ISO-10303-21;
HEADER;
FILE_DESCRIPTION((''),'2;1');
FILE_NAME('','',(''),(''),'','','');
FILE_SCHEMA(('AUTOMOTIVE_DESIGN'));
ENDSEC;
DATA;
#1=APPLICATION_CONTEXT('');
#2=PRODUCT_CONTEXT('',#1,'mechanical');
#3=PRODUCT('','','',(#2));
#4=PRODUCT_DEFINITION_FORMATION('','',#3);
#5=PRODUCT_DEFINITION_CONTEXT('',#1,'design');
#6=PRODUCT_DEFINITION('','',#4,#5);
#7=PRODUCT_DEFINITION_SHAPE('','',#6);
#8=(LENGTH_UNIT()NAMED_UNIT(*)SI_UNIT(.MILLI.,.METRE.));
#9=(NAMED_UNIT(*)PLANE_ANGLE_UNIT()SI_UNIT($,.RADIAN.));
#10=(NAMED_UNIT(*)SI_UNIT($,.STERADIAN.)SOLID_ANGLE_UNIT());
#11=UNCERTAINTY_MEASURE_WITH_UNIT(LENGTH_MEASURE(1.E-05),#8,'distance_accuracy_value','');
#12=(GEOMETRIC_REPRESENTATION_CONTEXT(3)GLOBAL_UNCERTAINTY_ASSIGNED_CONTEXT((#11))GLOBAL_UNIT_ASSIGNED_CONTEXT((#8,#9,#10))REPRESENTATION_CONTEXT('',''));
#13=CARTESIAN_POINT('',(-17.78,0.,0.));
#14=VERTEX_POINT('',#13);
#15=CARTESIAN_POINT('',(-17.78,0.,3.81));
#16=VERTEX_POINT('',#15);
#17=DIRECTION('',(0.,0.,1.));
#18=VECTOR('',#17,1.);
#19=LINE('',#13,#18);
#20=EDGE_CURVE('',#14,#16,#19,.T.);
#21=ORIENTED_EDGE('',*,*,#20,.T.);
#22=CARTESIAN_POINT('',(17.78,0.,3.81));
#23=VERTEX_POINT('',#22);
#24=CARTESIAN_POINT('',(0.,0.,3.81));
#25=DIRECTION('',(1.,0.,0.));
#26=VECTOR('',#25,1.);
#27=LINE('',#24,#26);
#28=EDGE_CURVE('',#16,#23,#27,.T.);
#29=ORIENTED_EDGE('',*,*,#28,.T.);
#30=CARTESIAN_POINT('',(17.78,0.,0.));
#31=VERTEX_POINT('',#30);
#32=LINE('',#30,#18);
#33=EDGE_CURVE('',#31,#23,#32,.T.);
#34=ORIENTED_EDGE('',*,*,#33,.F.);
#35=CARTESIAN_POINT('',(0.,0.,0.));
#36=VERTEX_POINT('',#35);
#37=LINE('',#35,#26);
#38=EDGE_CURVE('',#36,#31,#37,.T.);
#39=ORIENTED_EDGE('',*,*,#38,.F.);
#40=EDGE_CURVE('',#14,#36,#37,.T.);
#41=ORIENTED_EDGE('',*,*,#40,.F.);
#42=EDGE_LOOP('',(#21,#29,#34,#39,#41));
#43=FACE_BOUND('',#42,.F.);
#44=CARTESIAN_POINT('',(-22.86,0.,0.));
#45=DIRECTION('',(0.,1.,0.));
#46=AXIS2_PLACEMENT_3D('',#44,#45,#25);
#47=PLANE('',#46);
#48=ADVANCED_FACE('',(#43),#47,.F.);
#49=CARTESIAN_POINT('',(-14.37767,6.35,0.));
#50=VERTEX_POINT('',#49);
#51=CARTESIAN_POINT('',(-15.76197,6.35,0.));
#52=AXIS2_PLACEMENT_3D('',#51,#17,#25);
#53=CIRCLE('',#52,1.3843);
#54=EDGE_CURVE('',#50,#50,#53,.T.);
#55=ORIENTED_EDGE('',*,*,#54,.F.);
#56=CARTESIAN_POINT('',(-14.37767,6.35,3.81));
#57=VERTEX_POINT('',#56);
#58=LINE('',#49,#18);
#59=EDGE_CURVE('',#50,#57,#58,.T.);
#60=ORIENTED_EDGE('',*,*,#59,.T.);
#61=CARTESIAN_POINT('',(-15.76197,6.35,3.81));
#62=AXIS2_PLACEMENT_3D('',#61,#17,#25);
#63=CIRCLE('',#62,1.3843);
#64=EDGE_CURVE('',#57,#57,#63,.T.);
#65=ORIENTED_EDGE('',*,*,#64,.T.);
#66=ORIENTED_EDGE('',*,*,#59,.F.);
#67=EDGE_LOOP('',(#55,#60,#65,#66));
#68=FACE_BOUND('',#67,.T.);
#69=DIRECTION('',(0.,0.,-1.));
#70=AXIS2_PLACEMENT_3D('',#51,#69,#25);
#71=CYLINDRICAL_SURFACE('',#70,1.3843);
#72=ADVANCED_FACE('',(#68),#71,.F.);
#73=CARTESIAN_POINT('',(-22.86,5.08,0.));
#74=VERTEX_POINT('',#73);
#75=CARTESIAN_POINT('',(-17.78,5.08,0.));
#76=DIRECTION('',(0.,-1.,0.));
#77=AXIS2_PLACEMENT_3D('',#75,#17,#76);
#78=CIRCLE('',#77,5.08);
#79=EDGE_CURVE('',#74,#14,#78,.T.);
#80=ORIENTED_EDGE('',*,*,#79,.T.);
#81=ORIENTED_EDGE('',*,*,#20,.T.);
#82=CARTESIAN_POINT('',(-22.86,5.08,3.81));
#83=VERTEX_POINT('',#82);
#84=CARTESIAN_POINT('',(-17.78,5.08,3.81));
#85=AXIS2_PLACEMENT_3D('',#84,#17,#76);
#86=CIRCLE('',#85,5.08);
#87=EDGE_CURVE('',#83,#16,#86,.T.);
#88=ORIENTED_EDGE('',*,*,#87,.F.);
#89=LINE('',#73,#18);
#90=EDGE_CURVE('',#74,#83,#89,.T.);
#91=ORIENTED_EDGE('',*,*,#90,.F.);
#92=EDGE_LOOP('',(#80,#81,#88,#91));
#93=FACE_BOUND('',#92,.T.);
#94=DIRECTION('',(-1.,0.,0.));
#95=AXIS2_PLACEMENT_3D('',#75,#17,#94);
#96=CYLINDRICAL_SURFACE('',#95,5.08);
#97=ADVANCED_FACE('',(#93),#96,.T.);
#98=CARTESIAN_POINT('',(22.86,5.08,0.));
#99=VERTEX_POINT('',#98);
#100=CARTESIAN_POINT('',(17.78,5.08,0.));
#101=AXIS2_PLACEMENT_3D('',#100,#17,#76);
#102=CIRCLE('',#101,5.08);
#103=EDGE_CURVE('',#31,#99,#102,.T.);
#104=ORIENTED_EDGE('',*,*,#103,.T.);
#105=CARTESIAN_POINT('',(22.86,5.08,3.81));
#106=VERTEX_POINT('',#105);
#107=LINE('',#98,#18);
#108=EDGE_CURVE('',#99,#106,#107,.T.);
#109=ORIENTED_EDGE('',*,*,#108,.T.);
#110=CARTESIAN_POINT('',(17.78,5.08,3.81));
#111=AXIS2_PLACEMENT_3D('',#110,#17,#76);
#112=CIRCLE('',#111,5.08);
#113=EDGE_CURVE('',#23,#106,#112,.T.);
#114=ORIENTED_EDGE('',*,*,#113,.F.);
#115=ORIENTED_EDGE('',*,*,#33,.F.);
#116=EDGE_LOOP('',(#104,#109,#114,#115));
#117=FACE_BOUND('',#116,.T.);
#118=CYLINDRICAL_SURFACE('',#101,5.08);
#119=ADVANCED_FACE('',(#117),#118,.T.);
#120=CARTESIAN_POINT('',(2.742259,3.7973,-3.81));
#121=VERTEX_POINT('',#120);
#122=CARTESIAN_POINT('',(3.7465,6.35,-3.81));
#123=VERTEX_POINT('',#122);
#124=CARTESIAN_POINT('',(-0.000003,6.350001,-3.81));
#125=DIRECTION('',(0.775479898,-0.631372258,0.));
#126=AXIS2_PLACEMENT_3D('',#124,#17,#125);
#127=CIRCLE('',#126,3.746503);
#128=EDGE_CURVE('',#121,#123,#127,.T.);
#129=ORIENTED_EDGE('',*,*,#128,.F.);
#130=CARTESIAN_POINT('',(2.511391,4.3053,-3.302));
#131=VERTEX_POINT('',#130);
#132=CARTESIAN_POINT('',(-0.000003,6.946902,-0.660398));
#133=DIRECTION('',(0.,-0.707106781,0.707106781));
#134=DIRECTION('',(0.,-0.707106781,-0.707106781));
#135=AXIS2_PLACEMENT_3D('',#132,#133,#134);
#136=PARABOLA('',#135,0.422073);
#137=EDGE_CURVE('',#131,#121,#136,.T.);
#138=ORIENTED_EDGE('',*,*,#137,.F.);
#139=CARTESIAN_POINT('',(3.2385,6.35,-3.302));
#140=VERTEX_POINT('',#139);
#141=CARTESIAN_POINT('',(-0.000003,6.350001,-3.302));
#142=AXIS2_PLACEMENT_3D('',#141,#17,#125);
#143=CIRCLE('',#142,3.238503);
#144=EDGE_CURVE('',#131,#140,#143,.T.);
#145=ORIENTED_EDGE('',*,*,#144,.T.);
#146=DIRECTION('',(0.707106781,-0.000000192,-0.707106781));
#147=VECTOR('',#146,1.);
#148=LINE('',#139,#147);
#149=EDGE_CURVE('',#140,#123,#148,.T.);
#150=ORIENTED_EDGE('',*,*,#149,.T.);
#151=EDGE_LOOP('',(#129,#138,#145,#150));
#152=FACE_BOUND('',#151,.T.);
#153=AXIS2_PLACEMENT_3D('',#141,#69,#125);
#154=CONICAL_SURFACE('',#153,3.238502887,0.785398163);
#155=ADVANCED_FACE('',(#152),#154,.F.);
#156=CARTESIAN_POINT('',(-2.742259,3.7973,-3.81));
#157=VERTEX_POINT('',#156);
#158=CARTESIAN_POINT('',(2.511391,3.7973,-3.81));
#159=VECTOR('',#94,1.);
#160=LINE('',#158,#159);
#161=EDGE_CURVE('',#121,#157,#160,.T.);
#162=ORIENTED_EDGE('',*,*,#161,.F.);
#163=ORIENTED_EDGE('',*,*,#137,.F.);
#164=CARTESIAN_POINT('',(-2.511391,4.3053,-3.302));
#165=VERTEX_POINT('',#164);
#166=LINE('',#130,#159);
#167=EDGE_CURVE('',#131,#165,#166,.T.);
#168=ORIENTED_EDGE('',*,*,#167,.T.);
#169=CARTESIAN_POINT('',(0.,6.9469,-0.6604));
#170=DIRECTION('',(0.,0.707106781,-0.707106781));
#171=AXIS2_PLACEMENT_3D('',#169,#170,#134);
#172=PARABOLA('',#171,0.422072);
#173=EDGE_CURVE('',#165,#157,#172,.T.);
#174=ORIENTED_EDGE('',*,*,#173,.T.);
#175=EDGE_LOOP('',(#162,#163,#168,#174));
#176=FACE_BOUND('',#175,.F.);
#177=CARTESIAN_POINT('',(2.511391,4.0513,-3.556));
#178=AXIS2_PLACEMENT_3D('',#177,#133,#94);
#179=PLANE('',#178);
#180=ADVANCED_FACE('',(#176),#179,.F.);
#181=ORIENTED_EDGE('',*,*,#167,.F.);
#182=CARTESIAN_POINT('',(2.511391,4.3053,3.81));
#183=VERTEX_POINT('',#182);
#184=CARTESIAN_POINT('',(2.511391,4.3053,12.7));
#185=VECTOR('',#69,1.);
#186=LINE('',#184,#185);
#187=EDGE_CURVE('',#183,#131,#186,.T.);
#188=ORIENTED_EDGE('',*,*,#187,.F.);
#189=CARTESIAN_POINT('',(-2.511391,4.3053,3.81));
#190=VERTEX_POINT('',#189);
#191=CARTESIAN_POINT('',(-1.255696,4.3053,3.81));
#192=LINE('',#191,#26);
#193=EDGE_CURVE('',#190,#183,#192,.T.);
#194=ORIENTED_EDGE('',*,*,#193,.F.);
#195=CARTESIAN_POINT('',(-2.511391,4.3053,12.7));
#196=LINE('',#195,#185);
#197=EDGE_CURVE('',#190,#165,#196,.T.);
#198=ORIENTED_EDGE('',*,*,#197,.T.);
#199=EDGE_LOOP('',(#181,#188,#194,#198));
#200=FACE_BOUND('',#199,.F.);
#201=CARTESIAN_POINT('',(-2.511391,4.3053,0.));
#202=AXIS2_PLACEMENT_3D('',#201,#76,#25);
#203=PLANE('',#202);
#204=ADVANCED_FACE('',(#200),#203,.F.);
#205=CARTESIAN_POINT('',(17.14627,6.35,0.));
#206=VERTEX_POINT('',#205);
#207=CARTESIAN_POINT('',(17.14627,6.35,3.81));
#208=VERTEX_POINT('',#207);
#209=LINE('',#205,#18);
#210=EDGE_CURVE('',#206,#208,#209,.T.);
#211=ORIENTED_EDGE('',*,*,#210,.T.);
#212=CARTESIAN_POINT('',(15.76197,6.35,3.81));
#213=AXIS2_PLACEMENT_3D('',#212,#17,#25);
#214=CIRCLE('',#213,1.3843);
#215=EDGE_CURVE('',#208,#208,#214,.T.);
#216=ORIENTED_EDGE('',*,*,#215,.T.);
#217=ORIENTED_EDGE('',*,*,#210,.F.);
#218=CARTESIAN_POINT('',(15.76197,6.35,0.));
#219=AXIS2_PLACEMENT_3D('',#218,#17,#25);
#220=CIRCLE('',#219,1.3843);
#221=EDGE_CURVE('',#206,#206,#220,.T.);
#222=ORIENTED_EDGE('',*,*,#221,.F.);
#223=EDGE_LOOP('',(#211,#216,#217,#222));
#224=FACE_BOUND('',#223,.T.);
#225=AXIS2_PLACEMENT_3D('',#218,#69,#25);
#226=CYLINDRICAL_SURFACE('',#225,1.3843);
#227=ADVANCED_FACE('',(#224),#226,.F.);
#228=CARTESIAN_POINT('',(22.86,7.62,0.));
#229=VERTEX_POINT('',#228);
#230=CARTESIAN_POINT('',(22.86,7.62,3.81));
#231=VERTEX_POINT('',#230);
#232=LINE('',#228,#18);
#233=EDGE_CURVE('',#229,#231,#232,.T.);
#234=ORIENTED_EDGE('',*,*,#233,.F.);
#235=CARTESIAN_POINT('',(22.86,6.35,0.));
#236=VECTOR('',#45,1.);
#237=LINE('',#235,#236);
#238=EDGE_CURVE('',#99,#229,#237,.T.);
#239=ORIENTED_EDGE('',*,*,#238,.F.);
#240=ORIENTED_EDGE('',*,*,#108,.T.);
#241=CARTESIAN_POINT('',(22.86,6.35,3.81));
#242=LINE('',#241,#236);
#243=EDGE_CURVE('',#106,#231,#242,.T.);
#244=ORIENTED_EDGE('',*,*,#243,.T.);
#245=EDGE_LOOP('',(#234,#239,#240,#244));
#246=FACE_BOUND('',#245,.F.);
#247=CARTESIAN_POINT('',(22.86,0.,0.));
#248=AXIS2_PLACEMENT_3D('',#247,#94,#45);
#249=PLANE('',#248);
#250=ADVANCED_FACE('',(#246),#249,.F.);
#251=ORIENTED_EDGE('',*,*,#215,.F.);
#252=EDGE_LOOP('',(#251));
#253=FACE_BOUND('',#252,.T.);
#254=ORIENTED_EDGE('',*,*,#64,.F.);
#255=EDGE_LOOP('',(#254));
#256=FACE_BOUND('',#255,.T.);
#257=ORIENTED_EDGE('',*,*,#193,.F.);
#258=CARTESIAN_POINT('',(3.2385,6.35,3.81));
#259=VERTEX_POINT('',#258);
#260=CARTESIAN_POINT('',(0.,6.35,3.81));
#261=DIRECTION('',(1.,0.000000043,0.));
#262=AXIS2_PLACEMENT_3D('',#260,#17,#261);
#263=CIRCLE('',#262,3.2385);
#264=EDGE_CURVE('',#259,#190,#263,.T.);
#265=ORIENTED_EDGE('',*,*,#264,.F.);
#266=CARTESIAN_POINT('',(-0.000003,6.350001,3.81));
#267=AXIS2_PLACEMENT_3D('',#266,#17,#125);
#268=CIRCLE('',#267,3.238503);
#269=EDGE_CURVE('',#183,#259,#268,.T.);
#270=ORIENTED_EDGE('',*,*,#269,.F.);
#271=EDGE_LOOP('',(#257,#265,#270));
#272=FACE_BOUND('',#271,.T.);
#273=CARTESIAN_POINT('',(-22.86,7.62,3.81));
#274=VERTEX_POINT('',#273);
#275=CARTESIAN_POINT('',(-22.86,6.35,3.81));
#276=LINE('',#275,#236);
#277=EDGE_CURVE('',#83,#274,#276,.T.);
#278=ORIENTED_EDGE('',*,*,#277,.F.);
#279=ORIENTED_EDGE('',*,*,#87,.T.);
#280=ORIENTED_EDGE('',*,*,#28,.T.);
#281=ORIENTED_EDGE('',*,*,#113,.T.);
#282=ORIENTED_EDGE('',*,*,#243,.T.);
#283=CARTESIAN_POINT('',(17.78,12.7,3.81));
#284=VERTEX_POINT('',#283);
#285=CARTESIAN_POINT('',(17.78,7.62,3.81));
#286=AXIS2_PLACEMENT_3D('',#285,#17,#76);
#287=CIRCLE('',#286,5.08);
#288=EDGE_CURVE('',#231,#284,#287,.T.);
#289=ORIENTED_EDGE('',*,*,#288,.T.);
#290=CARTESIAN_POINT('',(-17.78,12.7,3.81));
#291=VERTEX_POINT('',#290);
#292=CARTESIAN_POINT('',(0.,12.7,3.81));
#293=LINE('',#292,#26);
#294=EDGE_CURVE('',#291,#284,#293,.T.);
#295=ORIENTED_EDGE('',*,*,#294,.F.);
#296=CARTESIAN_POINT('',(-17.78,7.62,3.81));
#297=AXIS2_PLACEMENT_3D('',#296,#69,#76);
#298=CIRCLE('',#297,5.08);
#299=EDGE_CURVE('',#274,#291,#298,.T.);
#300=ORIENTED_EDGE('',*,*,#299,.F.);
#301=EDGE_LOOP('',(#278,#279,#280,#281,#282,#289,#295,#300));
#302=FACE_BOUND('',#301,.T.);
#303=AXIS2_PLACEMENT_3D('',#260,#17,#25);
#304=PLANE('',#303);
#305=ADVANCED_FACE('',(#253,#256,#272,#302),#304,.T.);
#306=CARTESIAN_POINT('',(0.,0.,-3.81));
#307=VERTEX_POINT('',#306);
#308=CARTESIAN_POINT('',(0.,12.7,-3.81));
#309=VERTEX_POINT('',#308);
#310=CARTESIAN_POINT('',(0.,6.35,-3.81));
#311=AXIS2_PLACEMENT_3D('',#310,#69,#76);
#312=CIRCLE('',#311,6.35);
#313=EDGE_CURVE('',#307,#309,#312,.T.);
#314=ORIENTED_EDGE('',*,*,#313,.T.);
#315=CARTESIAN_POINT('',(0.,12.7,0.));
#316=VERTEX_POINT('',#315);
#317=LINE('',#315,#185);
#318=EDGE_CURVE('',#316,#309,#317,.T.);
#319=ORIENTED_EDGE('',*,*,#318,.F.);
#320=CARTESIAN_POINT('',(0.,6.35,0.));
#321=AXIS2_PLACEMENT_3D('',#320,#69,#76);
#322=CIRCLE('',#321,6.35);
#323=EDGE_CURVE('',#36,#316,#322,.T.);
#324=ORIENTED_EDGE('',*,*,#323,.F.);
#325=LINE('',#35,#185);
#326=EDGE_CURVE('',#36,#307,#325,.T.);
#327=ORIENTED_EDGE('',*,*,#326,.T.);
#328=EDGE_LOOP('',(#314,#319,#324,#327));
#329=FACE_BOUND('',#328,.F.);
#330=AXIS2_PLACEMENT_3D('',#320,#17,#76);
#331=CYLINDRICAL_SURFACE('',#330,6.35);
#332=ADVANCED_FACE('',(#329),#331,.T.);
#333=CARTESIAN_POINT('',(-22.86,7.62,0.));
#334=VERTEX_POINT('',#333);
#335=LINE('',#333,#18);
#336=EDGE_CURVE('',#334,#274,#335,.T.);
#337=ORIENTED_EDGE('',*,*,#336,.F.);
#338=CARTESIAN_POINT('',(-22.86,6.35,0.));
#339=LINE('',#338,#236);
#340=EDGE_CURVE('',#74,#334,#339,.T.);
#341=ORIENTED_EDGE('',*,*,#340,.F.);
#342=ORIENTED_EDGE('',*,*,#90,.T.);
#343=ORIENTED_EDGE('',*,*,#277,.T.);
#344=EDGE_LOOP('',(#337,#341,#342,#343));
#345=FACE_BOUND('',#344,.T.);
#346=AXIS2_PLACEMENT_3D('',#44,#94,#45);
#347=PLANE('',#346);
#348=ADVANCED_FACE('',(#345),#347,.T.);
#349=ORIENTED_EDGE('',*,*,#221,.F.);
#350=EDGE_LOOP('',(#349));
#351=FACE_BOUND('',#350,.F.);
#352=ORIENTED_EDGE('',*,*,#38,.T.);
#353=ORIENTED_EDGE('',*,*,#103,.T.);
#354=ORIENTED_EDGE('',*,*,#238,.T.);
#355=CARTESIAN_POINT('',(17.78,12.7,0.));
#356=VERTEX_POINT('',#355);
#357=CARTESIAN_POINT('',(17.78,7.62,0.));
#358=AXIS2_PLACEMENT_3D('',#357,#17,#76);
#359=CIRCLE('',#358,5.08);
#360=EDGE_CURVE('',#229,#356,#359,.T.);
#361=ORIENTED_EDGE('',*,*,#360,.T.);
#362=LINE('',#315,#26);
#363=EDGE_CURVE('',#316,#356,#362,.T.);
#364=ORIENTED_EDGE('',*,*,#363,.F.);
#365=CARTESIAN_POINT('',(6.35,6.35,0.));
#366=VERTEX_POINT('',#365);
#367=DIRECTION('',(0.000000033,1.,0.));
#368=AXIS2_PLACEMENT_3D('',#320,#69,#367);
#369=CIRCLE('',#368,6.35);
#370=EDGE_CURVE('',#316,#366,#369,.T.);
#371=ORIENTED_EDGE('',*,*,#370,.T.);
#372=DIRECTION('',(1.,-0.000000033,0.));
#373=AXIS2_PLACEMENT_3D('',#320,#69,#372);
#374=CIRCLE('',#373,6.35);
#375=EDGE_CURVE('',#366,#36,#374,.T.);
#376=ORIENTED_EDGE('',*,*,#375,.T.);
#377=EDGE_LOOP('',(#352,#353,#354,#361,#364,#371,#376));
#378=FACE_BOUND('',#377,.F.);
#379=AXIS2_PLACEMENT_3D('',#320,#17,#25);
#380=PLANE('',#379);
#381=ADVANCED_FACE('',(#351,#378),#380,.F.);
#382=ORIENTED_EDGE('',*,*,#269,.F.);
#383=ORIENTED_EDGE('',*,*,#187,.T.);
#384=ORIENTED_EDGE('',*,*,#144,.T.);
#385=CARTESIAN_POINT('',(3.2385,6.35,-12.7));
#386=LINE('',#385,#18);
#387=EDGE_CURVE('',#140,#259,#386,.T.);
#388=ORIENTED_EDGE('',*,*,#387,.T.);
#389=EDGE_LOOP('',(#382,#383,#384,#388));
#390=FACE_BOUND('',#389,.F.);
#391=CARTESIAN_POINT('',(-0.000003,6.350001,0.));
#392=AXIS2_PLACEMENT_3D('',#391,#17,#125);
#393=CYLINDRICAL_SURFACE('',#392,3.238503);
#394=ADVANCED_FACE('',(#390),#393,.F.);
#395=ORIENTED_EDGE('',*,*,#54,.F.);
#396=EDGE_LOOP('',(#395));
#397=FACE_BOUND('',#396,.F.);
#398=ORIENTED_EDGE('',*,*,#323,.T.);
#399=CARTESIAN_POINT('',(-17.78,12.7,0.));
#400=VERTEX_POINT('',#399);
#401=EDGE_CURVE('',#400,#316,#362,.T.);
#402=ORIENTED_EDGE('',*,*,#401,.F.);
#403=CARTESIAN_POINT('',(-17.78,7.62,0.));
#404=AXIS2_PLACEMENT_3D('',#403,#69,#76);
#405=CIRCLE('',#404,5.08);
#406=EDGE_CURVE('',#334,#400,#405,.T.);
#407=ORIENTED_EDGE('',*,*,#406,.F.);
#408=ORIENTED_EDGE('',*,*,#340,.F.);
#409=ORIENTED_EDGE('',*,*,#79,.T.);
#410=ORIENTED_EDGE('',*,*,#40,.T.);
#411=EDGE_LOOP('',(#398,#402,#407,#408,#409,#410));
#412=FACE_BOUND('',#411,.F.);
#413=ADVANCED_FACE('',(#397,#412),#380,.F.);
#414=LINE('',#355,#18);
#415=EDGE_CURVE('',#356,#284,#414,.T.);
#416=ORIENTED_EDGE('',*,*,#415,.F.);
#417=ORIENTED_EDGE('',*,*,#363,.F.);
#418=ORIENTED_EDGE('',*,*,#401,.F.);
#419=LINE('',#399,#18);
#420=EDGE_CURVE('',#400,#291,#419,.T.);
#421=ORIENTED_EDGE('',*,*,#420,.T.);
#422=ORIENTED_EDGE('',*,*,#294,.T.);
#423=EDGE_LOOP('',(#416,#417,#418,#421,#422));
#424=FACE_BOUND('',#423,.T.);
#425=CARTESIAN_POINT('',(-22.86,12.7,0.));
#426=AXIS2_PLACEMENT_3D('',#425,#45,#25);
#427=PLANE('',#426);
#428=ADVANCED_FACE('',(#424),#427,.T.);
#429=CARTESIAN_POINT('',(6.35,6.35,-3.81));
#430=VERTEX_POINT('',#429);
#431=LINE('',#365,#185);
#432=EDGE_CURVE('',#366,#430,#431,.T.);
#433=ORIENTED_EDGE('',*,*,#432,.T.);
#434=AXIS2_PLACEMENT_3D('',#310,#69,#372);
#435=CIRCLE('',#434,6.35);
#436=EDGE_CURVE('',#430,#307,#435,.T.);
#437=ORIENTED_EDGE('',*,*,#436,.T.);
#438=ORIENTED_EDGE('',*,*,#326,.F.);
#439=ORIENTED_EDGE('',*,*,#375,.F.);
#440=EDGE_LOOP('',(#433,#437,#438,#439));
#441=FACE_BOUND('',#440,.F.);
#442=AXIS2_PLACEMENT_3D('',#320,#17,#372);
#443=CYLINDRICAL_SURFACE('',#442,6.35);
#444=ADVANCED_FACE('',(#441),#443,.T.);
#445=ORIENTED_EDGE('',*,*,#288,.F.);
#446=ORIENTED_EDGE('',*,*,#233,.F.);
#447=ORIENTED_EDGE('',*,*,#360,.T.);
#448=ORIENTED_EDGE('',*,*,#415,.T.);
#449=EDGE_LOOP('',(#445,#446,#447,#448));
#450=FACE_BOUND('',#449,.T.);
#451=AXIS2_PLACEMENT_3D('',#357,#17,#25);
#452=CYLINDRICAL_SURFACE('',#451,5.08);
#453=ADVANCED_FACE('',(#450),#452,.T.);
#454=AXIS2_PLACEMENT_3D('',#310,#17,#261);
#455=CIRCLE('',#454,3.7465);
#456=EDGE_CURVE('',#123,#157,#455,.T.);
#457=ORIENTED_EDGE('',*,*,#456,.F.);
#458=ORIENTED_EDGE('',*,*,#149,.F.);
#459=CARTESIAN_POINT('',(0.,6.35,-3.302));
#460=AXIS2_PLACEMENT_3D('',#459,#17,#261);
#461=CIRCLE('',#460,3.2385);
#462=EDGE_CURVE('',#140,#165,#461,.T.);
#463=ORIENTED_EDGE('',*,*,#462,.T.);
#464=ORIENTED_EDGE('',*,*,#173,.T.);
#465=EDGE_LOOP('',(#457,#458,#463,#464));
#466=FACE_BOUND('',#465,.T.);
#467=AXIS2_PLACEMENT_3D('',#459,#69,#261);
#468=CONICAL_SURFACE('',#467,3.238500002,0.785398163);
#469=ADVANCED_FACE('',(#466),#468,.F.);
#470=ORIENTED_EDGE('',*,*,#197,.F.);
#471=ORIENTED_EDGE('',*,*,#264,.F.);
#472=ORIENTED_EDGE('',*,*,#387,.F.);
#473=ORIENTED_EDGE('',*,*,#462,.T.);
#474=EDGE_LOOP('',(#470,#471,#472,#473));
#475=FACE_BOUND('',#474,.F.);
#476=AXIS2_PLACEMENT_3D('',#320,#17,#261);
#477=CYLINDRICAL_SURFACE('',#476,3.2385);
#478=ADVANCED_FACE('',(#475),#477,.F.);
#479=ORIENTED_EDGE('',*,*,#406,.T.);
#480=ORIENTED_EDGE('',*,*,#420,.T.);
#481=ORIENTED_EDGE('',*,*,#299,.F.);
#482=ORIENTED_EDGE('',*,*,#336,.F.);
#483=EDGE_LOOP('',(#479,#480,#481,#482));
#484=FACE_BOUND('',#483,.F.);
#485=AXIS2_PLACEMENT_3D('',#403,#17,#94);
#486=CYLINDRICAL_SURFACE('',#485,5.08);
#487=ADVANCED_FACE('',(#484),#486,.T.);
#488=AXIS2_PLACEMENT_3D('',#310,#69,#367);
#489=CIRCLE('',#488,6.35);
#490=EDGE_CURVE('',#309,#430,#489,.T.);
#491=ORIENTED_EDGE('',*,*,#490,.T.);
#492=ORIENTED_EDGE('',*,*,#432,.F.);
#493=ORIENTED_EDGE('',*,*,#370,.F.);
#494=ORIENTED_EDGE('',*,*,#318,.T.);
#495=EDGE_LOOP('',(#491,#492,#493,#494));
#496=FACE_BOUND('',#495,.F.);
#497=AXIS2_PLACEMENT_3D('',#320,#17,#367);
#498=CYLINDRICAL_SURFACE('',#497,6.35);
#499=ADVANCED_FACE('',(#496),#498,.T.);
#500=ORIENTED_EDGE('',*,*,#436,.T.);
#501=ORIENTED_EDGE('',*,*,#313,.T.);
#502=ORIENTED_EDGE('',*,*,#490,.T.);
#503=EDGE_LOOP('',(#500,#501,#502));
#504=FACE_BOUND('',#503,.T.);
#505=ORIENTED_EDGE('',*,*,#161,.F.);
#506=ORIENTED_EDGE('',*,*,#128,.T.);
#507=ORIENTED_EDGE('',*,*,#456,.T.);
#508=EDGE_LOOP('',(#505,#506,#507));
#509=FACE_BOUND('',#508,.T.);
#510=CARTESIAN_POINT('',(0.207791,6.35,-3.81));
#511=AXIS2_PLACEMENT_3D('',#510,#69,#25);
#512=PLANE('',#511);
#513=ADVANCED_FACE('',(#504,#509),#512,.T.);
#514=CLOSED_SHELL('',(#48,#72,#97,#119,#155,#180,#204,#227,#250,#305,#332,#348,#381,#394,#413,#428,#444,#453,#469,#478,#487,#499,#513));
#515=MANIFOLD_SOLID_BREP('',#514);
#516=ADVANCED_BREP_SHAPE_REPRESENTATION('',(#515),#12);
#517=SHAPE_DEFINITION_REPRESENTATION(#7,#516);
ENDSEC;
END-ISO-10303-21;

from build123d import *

# Parameters (mm, degrees)
F0_W     = 45.72
F0_H     = 12.7
F0_R     = 1.3843
F1_DEPTH = 3.81
F2_R     = 5.08
F4_DEPTH = 3.81
F5_DEPTH = 12.7
F6_SIZE  = 0.508


with BuildPart() as f1:
    # F0 (on Top) → F1 (new body)
    with BuildSketch(Plane.XY):
        with Locations((0, 6.35)):
            Rectangle(F0_W, F0_H)
        with Locations((-15.76197, 6.35)):
            Circle(F0_R, mode=Mode.SUBTRACT)
        with BuildLine():
            ThreePointArc((-2.511391, 4.3053), (-1.085067, 9.401313), (3.2385, 6.35))
            ThreePointArc((3.2385, 6.35), (3.051313, 5.264933), (2.511391, 4.3053))
            ThreePointArc((2.511391, 4.3053), (0, 3.1115), (-2.511391, 4.3053))
        make_face(mode=Mode.SUBTRACT)
        with Locations((15.76197, 6.35)):
            Circle(F0_R, mode=Mode.SUBTRACT)
        with BuildLine():
            Line((2.511391, 4.3053), (-2.511391, 4.3053))
            ThreePointArc((-2.511391, 4.3053), (0, 3.1115), (2.511391, 4.3053))
        make_face()
        with BuildLine():
            ThreePointArc((2.511391, 4.3053), (3.051313, 5.264933), (3.2385, 6.35))
            ThreePointArc((3.2385, 6.35), (-1.085067, 9.401313), (-2.511391, 4.3053))
            Line((-2.511391, 4.3053), (2.511391, 4.3053))
        make_face()
    extrude(amount=F1_DEPTH)

    # F2
    f2_edges = [f1.edges().sort_by_distance(p)[0] for p in [
        (-22.86, 12.7, 1.905),
        (-22.86, 0, 1.905),
        (22.86, 12.7, 1.905),
        (22.86, 0, 1.905),
    ]]
    fillet(f2_edges, radius=F2_R)

    # F3 (on face) → F4 (join)
    with BuildSketch(Plane(origin=(0, 0, 0), x_dir=(1, 0, 0), z_dir=(0, 0, -1))):
        with BuildLine():
            ThreePointArc((0, -12.7), (4.490128, -10.840128), (6.35, -6.35))
            ThreePointArc((6.35, -6.35), (4.490128, -1.859872), (0, 0))
            ThreePointArc((0, 0), (-6.35, -6.35), (0, -12.7))
        make_face()
    extrude(amount=F4_DEPTH)

    # F0 (on Top) → F5 (cut, symmetric)
    with BuildSketch(Plane.XY):
        with BuildLine():
            ThreePointArc((2.511391, 4.3053), (3.051313, 5.264933), (3.2385, 6.35))
            ThreePointArc((3.2385, 6.35), (-1.085067, 9.401313), (-2.511391, 4.3053))
            Line((-2.511391, 4.3053), (2.511391, 4.3053))
        make_face()
    extrude(amount=F5_DEPTH, both=True, mode=Mode.SUBTRACT)

    # F6
    f6_edges = [f1.edges().sort_by_distance(p)[0] for p in [
        (0, 4.3053, -3.81),
        (0, 9.5885, -3.81),
    ]]
    chamfer(f6_edges, length=F6_SIZE)


solid = f1.part
